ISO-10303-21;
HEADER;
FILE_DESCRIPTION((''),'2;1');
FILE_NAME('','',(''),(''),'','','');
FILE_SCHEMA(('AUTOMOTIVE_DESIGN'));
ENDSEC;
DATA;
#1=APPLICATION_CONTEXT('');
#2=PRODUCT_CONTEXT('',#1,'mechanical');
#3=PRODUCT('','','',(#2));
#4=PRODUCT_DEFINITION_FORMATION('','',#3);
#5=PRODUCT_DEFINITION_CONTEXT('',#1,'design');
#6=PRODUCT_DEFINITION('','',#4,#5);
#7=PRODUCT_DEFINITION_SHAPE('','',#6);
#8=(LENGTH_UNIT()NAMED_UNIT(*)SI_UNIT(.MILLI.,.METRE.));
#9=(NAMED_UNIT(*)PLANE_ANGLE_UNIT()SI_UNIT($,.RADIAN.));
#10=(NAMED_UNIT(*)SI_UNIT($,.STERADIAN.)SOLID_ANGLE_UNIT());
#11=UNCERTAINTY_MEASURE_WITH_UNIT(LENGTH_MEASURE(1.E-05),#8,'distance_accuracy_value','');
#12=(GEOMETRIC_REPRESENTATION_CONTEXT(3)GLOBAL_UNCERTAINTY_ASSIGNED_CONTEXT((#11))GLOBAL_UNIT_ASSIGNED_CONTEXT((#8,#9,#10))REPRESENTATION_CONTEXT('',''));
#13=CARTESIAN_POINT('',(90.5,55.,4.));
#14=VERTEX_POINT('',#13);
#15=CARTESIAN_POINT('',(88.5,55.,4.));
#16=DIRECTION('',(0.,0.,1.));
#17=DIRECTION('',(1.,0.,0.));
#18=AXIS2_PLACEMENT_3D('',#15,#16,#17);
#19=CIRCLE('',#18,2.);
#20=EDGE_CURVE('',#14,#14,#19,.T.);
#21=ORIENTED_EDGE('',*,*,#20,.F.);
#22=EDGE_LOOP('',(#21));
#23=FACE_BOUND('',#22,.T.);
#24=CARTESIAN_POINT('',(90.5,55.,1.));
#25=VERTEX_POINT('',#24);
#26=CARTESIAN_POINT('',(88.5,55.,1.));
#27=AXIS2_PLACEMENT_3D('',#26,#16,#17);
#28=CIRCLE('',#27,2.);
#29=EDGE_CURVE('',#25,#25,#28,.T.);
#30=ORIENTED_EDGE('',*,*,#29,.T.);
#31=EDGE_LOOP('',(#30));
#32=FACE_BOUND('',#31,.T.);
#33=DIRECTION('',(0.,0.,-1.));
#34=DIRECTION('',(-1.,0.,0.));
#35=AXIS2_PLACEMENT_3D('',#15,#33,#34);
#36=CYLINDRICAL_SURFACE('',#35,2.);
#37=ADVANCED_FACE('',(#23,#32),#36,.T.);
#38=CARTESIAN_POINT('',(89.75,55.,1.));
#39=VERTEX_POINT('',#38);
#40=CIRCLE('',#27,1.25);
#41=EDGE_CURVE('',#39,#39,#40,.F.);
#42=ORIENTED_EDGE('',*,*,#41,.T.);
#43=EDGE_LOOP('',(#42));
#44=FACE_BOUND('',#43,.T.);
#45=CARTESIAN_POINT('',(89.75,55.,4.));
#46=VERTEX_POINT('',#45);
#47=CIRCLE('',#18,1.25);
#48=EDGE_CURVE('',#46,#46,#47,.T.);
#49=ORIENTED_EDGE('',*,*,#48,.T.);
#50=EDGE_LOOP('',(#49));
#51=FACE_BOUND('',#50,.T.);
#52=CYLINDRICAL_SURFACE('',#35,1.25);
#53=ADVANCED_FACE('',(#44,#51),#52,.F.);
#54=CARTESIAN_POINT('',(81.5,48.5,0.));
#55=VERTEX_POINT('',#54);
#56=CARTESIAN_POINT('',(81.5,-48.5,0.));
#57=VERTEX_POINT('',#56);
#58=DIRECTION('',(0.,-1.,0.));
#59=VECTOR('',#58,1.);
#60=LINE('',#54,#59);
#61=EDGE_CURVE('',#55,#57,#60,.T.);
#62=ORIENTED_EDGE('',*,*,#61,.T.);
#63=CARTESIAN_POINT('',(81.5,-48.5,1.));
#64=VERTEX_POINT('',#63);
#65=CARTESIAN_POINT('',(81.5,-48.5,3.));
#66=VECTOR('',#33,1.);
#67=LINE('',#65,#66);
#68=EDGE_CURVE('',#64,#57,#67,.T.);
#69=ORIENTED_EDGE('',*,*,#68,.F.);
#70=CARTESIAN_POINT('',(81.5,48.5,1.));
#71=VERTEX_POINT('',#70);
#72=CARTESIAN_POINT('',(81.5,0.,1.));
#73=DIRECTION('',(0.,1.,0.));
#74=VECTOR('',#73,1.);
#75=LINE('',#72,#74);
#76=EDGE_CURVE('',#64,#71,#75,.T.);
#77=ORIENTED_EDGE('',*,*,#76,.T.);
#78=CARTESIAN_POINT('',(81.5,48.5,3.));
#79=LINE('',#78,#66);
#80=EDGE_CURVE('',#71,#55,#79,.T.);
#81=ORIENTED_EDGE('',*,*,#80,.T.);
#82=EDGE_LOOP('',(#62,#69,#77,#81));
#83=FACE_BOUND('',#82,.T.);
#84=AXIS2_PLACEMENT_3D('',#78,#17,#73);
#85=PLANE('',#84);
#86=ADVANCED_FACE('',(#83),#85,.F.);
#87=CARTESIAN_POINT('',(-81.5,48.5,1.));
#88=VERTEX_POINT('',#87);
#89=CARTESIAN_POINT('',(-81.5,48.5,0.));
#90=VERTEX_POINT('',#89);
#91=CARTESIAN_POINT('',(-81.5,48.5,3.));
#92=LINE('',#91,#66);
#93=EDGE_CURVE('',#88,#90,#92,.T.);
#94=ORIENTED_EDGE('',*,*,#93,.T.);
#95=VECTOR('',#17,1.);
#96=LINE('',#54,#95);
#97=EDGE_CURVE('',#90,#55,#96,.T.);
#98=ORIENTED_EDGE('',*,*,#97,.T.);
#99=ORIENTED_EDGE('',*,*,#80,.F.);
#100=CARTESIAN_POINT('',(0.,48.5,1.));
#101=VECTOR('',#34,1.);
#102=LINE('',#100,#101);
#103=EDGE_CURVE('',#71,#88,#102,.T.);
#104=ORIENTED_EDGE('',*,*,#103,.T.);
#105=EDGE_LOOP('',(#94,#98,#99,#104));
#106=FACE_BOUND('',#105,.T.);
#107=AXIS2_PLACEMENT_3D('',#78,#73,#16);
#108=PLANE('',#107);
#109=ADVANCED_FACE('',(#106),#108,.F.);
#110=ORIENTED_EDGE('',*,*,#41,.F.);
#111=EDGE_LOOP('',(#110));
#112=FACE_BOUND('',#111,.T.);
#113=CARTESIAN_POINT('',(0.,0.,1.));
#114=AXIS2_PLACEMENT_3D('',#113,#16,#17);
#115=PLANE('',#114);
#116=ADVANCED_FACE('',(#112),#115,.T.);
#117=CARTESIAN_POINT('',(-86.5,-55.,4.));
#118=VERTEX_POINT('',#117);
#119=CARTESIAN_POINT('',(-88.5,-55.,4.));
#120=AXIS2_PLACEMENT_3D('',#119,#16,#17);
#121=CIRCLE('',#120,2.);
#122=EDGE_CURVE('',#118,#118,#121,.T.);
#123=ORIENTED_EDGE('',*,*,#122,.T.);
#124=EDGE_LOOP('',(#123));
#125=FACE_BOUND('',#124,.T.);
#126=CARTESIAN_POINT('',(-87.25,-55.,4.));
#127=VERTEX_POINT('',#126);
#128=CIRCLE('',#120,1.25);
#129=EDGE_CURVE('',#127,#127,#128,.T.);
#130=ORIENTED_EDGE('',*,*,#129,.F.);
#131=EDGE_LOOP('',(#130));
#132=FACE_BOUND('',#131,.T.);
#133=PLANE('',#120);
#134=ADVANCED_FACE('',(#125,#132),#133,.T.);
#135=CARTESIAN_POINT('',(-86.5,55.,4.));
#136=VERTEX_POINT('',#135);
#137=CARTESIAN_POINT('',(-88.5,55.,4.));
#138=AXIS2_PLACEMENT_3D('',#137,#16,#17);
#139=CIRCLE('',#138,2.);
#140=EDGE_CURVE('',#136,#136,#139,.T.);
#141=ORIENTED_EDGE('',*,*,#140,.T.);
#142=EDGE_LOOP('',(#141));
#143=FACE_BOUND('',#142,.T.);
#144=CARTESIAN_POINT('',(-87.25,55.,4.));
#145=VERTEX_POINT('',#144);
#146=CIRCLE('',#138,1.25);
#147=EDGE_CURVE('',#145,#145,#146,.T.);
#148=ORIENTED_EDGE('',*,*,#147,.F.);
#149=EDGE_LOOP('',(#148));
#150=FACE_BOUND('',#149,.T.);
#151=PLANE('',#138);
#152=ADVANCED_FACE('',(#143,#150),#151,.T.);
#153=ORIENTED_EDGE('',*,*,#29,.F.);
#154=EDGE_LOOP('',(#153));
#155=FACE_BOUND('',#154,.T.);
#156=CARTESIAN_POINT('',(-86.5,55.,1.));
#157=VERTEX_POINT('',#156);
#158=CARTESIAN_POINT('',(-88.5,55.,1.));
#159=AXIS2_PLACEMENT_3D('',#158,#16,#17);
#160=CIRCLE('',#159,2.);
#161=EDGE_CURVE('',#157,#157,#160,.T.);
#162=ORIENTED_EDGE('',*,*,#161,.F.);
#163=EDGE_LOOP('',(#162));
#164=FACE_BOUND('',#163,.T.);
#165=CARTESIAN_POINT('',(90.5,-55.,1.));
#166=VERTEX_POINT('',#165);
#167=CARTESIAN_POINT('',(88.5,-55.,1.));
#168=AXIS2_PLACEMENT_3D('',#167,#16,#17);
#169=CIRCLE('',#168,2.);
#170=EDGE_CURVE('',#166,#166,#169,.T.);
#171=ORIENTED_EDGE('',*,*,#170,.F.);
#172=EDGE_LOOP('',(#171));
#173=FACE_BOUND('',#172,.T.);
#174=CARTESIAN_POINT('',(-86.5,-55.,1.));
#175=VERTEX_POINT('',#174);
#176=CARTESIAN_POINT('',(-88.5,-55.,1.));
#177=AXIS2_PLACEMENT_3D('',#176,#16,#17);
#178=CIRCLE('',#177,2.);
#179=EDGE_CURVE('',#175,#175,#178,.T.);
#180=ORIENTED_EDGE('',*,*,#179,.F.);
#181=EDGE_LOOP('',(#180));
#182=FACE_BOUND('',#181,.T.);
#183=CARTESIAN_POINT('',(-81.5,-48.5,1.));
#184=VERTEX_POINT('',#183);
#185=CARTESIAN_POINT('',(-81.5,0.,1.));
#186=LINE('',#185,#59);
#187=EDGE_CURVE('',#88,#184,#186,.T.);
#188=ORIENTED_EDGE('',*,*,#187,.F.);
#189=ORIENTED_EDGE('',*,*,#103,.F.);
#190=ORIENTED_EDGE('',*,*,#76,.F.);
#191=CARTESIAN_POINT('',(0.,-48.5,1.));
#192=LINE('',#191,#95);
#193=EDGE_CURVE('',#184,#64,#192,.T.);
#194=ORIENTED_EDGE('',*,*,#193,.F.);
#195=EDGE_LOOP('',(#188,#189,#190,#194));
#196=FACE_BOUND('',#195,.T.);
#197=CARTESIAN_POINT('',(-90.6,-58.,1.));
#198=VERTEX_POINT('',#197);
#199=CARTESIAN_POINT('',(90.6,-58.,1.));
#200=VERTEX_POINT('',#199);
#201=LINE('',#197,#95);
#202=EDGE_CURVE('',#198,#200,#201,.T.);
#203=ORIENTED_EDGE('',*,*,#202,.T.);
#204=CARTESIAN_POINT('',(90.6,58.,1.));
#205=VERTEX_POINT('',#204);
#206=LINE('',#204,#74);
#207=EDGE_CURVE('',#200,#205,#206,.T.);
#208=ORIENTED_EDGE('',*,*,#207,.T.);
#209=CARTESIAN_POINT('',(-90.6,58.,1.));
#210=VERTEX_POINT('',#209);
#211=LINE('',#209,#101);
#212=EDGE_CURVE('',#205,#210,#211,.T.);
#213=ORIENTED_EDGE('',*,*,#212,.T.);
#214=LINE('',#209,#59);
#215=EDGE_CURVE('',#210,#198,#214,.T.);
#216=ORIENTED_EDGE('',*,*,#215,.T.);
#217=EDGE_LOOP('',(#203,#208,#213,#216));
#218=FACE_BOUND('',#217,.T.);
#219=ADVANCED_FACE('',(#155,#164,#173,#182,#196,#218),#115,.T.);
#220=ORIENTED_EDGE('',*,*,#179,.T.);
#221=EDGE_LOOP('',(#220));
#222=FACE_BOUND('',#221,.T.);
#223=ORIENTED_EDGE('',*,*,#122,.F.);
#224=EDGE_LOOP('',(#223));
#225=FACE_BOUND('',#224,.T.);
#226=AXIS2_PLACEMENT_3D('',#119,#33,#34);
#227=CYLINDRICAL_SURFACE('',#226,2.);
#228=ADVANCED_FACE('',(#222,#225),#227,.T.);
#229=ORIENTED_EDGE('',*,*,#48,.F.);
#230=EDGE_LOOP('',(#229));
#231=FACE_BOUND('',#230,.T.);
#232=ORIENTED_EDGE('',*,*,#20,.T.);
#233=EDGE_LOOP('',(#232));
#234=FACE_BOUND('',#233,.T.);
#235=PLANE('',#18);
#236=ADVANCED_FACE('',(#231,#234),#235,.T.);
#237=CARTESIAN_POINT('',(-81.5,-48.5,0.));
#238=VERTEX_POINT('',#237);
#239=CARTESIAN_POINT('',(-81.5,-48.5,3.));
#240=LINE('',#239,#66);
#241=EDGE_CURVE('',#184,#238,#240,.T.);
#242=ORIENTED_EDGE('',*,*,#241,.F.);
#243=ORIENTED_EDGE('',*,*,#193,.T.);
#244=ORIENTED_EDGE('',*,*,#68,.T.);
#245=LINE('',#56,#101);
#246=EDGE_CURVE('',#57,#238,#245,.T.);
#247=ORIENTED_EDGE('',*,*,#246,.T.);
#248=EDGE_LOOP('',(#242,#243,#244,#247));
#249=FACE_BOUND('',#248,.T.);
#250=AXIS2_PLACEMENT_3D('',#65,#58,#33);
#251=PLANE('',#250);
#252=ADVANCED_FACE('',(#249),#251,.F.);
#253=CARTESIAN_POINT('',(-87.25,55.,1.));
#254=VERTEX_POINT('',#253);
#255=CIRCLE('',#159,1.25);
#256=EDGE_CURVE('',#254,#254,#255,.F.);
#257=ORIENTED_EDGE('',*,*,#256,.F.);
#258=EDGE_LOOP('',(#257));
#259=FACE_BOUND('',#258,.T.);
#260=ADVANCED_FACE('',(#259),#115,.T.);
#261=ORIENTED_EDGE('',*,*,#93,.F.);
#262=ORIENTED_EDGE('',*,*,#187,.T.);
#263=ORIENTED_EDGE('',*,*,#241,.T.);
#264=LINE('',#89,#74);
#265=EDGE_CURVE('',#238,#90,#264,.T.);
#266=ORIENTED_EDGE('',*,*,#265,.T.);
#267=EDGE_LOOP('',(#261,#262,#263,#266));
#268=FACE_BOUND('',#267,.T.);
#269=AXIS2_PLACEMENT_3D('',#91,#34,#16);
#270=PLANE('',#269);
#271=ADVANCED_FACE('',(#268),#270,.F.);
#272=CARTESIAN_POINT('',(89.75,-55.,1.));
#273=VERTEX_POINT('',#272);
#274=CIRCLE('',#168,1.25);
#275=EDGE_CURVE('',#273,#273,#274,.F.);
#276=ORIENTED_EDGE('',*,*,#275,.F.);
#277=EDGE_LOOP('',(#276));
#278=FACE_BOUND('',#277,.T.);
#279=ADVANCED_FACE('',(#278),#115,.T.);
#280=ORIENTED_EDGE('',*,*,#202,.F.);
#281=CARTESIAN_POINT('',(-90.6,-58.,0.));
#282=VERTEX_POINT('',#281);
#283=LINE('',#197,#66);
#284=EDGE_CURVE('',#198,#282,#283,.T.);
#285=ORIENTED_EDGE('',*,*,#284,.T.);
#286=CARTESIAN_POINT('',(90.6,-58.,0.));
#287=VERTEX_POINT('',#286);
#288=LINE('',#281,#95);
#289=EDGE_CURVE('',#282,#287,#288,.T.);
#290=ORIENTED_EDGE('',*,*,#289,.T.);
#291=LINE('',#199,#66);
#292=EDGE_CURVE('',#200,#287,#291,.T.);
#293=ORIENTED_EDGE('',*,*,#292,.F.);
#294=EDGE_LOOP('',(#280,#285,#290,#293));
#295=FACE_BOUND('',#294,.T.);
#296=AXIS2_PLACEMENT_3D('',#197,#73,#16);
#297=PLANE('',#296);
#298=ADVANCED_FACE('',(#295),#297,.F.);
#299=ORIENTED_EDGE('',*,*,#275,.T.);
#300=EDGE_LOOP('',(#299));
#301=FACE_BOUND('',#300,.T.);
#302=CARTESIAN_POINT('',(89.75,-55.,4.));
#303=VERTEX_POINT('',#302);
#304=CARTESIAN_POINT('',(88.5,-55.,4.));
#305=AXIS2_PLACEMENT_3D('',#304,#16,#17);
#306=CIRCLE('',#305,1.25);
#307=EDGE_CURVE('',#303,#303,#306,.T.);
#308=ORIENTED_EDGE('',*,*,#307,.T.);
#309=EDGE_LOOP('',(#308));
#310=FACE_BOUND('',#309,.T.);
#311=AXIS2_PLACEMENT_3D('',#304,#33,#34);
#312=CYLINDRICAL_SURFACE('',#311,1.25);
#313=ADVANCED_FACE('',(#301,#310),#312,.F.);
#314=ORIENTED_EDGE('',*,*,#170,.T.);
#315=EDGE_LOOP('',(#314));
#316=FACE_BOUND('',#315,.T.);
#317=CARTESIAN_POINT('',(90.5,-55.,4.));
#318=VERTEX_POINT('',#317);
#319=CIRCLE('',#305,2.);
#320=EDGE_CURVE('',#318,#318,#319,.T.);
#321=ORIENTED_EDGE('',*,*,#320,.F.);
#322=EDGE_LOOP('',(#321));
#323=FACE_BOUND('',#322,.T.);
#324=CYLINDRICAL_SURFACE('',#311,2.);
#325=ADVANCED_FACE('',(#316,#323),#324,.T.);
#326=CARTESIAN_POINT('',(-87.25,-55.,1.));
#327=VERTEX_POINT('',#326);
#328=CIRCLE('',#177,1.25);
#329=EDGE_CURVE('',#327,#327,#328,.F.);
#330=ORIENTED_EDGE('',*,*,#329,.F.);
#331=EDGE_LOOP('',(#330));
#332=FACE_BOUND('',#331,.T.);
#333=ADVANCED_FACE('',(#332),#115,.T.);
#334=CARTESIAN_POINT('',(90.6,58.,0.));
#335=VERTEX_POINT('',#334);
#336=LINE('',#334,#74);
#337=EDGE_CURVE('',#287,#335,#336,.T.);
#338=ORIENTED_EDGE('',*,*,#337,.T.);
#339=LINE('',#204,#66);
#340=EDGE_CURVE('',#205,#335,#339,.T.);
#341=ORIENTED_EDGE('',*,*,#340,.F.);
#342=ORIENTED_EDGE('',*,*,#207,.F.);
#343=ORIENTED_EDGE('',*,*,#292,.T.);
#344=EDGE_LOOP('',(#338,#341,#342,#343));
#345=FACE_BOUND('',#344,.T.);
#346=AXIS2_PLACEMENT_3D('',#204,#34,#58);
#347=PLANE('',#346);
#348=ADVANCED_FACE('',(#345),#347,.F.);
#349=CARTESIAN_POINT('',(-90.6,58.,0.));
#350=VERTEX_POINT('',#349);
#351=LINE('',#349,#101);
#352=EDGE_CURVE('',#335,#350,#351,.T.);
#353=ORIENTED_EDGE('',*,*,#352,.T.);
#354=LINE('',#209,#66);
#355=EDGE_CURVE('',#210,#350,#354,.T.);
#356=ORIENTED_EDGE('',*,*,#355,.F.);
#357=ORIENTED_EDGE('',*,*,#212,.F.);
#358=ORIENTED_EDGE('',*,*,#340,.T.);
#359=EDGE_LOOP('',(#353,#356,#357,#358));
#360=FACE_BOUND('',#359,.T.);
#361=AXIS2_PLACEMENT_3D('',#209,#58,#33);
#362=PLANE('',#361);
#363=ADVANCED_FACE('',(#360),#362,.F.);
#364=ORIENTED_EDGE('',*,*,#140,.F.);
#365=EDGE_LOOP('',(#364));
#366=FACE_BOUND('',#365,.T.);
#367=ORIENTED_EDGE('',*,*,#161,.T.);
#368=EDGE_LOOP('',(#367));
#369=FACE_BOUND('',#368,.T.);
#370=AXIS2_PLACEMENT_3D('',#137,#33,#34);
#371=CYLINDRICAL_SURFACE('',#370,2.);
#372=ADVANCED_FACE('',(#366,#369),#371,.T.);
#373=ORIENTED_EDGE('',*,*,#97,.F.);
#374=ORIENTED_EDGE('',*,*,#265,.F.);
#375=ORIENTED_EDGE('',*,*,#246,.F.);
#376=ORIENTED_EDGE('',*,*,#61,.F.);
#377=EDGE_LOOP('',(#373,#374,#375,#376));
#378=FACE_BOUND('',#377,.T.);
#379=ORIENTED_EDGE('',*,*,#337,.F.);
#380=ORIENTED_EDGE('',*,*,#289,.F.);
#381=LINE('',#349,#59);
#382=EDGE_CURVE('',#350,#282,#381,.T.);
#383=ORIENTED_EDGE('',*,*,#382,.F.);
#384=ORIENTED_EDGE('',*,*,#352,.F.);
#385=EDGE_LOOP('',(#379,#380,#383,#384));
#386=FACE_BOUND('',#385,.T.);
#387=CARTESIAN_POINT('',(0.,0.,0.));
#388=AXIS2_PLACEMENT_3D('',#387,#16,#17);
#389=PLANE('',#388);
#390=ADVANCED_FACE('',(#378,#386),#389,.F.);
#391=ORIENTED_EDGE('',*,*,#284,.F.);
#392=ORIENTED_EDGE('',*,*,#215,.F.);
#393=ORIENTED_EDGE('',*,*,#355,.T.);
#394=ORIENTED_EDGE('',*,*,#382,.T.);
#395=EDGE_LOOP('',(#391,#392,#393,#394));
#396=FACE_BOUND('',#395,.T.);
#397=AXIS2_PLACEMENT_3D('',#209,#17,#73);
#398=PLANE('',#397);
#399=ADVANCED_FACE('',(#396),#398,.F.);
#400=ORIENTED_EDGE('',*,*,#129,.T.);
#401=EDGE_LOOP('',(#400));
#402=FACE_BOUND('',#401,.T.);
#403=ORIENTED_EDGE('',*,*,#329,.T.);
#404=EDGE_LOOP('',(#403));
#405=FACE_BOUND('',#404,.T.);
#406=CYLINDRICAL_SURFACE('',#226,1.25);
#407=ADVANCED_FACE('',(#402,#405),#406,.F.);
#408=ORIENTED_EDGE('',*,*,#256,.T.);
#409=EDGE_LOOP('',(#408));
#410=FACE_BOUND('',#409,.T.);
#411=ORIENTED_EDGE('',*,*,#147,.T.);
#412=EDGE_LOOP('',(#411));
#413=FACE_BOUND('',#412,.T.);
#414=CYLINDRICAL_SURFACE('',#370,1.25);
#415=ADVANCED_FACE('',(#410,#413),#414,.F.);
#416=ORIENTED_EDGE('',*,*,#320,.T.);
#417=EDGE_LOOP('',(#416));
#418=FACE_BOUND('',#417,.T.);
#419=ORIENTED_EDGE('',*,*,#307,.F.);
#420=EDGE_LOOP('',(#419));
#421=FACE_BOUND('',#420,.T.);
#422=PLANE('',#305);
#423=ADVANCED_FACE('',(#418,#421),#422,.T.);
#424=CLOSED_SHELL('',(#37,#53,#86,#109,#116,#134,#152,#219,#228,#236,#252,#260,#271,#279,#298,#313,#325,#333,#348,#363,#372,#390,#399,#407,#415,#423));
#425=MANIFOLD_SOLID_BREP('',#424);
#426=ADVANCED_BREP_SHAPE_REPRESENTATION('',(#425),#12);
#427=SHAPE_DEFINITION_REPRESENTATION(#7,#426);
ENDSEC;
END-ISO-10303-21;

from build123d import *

# Parameters (mm, degrees)
SKETCH_1_W          = 181.2
SKETCH_1_H          = 116
EXTRUDE_1_DEPTH     = 1
SKETCH_2_R          = 2
SKETCH_2_R_2        = 1.25
EXTRUDE_2_DEPTH     = 3
SKETCH_3_W          = 163
SKETCH_3_H          = 97
CUT_EXTRUDE_2_DEPTH = 3


with BuildPart() as part:
    # 草图1 → 凸台-拉伸1 (new body)
    with BuildSketch(Plane.XY):
        Rectangle(SKETCH_1_W, SKETCH_1_H)
    extrude(amount=EXTRUDE_1_DEPTH)

    # 草图2 → 凸台-拉伸2 (add)
    # profile 1 of 4: a face of its own
    with BuildSketch(Plane.XY.offset(1)):
        with Locations((-88.5, 55)):
            Circle(SKETCH_2_R)
        with Locations((-88.5, 55)):
            Circle(SKETCH_2_R_2, mode=Mode.SUBTRACT)
    # profile 2 of 4: a face of its own
    with BuildSketch(Plane.XY.offset(1)):
        with Locations((88.5, 55)):
            Circle(SKETCH_2_R)
        with Locations((88.5, 55)):
            Circle(SKETCH_2_R_2, mode=Mode.SUBTRACT)
    # profile 3 of 4: a face of its own
    with BuildSketch(Plane.XY.offset(1)):
        with Locations((88.5, -55)):
            Circle(SKETCH_2_R)
        with Locations((88.5, -55)):
            Circle(SKETCH_2_R_2, mode=Mode.SUBTRACT)
    # profile 4 of 4: a face of its own
    with BuildSketch(Plane.XY.offset(1)):
        with Locations((-88.5, -55)):
            Circle(SKETCH_2_R)
        with Locations((-88.5, -55)):
            Circle(SKETCH_2_R_2, mode=Mode.SUBTRACT)
    extrude(amount=EXTRUDE_2_DEPTH)

    # 草图3 → 切除-拉伸2 (cut)
    with BuildSketch(Plane(origin=(0, 0, 0), x_dir=(-1, 0, 0), z_dir=(0, 0, -1))):
        Rectangle(SKETCH_3_W, SKETCH_3_H)
    extrude(amount=-CUT_EXTRUDE_2_DEPTH, mode=Mode.SUBTRACT)


solid = part.part
